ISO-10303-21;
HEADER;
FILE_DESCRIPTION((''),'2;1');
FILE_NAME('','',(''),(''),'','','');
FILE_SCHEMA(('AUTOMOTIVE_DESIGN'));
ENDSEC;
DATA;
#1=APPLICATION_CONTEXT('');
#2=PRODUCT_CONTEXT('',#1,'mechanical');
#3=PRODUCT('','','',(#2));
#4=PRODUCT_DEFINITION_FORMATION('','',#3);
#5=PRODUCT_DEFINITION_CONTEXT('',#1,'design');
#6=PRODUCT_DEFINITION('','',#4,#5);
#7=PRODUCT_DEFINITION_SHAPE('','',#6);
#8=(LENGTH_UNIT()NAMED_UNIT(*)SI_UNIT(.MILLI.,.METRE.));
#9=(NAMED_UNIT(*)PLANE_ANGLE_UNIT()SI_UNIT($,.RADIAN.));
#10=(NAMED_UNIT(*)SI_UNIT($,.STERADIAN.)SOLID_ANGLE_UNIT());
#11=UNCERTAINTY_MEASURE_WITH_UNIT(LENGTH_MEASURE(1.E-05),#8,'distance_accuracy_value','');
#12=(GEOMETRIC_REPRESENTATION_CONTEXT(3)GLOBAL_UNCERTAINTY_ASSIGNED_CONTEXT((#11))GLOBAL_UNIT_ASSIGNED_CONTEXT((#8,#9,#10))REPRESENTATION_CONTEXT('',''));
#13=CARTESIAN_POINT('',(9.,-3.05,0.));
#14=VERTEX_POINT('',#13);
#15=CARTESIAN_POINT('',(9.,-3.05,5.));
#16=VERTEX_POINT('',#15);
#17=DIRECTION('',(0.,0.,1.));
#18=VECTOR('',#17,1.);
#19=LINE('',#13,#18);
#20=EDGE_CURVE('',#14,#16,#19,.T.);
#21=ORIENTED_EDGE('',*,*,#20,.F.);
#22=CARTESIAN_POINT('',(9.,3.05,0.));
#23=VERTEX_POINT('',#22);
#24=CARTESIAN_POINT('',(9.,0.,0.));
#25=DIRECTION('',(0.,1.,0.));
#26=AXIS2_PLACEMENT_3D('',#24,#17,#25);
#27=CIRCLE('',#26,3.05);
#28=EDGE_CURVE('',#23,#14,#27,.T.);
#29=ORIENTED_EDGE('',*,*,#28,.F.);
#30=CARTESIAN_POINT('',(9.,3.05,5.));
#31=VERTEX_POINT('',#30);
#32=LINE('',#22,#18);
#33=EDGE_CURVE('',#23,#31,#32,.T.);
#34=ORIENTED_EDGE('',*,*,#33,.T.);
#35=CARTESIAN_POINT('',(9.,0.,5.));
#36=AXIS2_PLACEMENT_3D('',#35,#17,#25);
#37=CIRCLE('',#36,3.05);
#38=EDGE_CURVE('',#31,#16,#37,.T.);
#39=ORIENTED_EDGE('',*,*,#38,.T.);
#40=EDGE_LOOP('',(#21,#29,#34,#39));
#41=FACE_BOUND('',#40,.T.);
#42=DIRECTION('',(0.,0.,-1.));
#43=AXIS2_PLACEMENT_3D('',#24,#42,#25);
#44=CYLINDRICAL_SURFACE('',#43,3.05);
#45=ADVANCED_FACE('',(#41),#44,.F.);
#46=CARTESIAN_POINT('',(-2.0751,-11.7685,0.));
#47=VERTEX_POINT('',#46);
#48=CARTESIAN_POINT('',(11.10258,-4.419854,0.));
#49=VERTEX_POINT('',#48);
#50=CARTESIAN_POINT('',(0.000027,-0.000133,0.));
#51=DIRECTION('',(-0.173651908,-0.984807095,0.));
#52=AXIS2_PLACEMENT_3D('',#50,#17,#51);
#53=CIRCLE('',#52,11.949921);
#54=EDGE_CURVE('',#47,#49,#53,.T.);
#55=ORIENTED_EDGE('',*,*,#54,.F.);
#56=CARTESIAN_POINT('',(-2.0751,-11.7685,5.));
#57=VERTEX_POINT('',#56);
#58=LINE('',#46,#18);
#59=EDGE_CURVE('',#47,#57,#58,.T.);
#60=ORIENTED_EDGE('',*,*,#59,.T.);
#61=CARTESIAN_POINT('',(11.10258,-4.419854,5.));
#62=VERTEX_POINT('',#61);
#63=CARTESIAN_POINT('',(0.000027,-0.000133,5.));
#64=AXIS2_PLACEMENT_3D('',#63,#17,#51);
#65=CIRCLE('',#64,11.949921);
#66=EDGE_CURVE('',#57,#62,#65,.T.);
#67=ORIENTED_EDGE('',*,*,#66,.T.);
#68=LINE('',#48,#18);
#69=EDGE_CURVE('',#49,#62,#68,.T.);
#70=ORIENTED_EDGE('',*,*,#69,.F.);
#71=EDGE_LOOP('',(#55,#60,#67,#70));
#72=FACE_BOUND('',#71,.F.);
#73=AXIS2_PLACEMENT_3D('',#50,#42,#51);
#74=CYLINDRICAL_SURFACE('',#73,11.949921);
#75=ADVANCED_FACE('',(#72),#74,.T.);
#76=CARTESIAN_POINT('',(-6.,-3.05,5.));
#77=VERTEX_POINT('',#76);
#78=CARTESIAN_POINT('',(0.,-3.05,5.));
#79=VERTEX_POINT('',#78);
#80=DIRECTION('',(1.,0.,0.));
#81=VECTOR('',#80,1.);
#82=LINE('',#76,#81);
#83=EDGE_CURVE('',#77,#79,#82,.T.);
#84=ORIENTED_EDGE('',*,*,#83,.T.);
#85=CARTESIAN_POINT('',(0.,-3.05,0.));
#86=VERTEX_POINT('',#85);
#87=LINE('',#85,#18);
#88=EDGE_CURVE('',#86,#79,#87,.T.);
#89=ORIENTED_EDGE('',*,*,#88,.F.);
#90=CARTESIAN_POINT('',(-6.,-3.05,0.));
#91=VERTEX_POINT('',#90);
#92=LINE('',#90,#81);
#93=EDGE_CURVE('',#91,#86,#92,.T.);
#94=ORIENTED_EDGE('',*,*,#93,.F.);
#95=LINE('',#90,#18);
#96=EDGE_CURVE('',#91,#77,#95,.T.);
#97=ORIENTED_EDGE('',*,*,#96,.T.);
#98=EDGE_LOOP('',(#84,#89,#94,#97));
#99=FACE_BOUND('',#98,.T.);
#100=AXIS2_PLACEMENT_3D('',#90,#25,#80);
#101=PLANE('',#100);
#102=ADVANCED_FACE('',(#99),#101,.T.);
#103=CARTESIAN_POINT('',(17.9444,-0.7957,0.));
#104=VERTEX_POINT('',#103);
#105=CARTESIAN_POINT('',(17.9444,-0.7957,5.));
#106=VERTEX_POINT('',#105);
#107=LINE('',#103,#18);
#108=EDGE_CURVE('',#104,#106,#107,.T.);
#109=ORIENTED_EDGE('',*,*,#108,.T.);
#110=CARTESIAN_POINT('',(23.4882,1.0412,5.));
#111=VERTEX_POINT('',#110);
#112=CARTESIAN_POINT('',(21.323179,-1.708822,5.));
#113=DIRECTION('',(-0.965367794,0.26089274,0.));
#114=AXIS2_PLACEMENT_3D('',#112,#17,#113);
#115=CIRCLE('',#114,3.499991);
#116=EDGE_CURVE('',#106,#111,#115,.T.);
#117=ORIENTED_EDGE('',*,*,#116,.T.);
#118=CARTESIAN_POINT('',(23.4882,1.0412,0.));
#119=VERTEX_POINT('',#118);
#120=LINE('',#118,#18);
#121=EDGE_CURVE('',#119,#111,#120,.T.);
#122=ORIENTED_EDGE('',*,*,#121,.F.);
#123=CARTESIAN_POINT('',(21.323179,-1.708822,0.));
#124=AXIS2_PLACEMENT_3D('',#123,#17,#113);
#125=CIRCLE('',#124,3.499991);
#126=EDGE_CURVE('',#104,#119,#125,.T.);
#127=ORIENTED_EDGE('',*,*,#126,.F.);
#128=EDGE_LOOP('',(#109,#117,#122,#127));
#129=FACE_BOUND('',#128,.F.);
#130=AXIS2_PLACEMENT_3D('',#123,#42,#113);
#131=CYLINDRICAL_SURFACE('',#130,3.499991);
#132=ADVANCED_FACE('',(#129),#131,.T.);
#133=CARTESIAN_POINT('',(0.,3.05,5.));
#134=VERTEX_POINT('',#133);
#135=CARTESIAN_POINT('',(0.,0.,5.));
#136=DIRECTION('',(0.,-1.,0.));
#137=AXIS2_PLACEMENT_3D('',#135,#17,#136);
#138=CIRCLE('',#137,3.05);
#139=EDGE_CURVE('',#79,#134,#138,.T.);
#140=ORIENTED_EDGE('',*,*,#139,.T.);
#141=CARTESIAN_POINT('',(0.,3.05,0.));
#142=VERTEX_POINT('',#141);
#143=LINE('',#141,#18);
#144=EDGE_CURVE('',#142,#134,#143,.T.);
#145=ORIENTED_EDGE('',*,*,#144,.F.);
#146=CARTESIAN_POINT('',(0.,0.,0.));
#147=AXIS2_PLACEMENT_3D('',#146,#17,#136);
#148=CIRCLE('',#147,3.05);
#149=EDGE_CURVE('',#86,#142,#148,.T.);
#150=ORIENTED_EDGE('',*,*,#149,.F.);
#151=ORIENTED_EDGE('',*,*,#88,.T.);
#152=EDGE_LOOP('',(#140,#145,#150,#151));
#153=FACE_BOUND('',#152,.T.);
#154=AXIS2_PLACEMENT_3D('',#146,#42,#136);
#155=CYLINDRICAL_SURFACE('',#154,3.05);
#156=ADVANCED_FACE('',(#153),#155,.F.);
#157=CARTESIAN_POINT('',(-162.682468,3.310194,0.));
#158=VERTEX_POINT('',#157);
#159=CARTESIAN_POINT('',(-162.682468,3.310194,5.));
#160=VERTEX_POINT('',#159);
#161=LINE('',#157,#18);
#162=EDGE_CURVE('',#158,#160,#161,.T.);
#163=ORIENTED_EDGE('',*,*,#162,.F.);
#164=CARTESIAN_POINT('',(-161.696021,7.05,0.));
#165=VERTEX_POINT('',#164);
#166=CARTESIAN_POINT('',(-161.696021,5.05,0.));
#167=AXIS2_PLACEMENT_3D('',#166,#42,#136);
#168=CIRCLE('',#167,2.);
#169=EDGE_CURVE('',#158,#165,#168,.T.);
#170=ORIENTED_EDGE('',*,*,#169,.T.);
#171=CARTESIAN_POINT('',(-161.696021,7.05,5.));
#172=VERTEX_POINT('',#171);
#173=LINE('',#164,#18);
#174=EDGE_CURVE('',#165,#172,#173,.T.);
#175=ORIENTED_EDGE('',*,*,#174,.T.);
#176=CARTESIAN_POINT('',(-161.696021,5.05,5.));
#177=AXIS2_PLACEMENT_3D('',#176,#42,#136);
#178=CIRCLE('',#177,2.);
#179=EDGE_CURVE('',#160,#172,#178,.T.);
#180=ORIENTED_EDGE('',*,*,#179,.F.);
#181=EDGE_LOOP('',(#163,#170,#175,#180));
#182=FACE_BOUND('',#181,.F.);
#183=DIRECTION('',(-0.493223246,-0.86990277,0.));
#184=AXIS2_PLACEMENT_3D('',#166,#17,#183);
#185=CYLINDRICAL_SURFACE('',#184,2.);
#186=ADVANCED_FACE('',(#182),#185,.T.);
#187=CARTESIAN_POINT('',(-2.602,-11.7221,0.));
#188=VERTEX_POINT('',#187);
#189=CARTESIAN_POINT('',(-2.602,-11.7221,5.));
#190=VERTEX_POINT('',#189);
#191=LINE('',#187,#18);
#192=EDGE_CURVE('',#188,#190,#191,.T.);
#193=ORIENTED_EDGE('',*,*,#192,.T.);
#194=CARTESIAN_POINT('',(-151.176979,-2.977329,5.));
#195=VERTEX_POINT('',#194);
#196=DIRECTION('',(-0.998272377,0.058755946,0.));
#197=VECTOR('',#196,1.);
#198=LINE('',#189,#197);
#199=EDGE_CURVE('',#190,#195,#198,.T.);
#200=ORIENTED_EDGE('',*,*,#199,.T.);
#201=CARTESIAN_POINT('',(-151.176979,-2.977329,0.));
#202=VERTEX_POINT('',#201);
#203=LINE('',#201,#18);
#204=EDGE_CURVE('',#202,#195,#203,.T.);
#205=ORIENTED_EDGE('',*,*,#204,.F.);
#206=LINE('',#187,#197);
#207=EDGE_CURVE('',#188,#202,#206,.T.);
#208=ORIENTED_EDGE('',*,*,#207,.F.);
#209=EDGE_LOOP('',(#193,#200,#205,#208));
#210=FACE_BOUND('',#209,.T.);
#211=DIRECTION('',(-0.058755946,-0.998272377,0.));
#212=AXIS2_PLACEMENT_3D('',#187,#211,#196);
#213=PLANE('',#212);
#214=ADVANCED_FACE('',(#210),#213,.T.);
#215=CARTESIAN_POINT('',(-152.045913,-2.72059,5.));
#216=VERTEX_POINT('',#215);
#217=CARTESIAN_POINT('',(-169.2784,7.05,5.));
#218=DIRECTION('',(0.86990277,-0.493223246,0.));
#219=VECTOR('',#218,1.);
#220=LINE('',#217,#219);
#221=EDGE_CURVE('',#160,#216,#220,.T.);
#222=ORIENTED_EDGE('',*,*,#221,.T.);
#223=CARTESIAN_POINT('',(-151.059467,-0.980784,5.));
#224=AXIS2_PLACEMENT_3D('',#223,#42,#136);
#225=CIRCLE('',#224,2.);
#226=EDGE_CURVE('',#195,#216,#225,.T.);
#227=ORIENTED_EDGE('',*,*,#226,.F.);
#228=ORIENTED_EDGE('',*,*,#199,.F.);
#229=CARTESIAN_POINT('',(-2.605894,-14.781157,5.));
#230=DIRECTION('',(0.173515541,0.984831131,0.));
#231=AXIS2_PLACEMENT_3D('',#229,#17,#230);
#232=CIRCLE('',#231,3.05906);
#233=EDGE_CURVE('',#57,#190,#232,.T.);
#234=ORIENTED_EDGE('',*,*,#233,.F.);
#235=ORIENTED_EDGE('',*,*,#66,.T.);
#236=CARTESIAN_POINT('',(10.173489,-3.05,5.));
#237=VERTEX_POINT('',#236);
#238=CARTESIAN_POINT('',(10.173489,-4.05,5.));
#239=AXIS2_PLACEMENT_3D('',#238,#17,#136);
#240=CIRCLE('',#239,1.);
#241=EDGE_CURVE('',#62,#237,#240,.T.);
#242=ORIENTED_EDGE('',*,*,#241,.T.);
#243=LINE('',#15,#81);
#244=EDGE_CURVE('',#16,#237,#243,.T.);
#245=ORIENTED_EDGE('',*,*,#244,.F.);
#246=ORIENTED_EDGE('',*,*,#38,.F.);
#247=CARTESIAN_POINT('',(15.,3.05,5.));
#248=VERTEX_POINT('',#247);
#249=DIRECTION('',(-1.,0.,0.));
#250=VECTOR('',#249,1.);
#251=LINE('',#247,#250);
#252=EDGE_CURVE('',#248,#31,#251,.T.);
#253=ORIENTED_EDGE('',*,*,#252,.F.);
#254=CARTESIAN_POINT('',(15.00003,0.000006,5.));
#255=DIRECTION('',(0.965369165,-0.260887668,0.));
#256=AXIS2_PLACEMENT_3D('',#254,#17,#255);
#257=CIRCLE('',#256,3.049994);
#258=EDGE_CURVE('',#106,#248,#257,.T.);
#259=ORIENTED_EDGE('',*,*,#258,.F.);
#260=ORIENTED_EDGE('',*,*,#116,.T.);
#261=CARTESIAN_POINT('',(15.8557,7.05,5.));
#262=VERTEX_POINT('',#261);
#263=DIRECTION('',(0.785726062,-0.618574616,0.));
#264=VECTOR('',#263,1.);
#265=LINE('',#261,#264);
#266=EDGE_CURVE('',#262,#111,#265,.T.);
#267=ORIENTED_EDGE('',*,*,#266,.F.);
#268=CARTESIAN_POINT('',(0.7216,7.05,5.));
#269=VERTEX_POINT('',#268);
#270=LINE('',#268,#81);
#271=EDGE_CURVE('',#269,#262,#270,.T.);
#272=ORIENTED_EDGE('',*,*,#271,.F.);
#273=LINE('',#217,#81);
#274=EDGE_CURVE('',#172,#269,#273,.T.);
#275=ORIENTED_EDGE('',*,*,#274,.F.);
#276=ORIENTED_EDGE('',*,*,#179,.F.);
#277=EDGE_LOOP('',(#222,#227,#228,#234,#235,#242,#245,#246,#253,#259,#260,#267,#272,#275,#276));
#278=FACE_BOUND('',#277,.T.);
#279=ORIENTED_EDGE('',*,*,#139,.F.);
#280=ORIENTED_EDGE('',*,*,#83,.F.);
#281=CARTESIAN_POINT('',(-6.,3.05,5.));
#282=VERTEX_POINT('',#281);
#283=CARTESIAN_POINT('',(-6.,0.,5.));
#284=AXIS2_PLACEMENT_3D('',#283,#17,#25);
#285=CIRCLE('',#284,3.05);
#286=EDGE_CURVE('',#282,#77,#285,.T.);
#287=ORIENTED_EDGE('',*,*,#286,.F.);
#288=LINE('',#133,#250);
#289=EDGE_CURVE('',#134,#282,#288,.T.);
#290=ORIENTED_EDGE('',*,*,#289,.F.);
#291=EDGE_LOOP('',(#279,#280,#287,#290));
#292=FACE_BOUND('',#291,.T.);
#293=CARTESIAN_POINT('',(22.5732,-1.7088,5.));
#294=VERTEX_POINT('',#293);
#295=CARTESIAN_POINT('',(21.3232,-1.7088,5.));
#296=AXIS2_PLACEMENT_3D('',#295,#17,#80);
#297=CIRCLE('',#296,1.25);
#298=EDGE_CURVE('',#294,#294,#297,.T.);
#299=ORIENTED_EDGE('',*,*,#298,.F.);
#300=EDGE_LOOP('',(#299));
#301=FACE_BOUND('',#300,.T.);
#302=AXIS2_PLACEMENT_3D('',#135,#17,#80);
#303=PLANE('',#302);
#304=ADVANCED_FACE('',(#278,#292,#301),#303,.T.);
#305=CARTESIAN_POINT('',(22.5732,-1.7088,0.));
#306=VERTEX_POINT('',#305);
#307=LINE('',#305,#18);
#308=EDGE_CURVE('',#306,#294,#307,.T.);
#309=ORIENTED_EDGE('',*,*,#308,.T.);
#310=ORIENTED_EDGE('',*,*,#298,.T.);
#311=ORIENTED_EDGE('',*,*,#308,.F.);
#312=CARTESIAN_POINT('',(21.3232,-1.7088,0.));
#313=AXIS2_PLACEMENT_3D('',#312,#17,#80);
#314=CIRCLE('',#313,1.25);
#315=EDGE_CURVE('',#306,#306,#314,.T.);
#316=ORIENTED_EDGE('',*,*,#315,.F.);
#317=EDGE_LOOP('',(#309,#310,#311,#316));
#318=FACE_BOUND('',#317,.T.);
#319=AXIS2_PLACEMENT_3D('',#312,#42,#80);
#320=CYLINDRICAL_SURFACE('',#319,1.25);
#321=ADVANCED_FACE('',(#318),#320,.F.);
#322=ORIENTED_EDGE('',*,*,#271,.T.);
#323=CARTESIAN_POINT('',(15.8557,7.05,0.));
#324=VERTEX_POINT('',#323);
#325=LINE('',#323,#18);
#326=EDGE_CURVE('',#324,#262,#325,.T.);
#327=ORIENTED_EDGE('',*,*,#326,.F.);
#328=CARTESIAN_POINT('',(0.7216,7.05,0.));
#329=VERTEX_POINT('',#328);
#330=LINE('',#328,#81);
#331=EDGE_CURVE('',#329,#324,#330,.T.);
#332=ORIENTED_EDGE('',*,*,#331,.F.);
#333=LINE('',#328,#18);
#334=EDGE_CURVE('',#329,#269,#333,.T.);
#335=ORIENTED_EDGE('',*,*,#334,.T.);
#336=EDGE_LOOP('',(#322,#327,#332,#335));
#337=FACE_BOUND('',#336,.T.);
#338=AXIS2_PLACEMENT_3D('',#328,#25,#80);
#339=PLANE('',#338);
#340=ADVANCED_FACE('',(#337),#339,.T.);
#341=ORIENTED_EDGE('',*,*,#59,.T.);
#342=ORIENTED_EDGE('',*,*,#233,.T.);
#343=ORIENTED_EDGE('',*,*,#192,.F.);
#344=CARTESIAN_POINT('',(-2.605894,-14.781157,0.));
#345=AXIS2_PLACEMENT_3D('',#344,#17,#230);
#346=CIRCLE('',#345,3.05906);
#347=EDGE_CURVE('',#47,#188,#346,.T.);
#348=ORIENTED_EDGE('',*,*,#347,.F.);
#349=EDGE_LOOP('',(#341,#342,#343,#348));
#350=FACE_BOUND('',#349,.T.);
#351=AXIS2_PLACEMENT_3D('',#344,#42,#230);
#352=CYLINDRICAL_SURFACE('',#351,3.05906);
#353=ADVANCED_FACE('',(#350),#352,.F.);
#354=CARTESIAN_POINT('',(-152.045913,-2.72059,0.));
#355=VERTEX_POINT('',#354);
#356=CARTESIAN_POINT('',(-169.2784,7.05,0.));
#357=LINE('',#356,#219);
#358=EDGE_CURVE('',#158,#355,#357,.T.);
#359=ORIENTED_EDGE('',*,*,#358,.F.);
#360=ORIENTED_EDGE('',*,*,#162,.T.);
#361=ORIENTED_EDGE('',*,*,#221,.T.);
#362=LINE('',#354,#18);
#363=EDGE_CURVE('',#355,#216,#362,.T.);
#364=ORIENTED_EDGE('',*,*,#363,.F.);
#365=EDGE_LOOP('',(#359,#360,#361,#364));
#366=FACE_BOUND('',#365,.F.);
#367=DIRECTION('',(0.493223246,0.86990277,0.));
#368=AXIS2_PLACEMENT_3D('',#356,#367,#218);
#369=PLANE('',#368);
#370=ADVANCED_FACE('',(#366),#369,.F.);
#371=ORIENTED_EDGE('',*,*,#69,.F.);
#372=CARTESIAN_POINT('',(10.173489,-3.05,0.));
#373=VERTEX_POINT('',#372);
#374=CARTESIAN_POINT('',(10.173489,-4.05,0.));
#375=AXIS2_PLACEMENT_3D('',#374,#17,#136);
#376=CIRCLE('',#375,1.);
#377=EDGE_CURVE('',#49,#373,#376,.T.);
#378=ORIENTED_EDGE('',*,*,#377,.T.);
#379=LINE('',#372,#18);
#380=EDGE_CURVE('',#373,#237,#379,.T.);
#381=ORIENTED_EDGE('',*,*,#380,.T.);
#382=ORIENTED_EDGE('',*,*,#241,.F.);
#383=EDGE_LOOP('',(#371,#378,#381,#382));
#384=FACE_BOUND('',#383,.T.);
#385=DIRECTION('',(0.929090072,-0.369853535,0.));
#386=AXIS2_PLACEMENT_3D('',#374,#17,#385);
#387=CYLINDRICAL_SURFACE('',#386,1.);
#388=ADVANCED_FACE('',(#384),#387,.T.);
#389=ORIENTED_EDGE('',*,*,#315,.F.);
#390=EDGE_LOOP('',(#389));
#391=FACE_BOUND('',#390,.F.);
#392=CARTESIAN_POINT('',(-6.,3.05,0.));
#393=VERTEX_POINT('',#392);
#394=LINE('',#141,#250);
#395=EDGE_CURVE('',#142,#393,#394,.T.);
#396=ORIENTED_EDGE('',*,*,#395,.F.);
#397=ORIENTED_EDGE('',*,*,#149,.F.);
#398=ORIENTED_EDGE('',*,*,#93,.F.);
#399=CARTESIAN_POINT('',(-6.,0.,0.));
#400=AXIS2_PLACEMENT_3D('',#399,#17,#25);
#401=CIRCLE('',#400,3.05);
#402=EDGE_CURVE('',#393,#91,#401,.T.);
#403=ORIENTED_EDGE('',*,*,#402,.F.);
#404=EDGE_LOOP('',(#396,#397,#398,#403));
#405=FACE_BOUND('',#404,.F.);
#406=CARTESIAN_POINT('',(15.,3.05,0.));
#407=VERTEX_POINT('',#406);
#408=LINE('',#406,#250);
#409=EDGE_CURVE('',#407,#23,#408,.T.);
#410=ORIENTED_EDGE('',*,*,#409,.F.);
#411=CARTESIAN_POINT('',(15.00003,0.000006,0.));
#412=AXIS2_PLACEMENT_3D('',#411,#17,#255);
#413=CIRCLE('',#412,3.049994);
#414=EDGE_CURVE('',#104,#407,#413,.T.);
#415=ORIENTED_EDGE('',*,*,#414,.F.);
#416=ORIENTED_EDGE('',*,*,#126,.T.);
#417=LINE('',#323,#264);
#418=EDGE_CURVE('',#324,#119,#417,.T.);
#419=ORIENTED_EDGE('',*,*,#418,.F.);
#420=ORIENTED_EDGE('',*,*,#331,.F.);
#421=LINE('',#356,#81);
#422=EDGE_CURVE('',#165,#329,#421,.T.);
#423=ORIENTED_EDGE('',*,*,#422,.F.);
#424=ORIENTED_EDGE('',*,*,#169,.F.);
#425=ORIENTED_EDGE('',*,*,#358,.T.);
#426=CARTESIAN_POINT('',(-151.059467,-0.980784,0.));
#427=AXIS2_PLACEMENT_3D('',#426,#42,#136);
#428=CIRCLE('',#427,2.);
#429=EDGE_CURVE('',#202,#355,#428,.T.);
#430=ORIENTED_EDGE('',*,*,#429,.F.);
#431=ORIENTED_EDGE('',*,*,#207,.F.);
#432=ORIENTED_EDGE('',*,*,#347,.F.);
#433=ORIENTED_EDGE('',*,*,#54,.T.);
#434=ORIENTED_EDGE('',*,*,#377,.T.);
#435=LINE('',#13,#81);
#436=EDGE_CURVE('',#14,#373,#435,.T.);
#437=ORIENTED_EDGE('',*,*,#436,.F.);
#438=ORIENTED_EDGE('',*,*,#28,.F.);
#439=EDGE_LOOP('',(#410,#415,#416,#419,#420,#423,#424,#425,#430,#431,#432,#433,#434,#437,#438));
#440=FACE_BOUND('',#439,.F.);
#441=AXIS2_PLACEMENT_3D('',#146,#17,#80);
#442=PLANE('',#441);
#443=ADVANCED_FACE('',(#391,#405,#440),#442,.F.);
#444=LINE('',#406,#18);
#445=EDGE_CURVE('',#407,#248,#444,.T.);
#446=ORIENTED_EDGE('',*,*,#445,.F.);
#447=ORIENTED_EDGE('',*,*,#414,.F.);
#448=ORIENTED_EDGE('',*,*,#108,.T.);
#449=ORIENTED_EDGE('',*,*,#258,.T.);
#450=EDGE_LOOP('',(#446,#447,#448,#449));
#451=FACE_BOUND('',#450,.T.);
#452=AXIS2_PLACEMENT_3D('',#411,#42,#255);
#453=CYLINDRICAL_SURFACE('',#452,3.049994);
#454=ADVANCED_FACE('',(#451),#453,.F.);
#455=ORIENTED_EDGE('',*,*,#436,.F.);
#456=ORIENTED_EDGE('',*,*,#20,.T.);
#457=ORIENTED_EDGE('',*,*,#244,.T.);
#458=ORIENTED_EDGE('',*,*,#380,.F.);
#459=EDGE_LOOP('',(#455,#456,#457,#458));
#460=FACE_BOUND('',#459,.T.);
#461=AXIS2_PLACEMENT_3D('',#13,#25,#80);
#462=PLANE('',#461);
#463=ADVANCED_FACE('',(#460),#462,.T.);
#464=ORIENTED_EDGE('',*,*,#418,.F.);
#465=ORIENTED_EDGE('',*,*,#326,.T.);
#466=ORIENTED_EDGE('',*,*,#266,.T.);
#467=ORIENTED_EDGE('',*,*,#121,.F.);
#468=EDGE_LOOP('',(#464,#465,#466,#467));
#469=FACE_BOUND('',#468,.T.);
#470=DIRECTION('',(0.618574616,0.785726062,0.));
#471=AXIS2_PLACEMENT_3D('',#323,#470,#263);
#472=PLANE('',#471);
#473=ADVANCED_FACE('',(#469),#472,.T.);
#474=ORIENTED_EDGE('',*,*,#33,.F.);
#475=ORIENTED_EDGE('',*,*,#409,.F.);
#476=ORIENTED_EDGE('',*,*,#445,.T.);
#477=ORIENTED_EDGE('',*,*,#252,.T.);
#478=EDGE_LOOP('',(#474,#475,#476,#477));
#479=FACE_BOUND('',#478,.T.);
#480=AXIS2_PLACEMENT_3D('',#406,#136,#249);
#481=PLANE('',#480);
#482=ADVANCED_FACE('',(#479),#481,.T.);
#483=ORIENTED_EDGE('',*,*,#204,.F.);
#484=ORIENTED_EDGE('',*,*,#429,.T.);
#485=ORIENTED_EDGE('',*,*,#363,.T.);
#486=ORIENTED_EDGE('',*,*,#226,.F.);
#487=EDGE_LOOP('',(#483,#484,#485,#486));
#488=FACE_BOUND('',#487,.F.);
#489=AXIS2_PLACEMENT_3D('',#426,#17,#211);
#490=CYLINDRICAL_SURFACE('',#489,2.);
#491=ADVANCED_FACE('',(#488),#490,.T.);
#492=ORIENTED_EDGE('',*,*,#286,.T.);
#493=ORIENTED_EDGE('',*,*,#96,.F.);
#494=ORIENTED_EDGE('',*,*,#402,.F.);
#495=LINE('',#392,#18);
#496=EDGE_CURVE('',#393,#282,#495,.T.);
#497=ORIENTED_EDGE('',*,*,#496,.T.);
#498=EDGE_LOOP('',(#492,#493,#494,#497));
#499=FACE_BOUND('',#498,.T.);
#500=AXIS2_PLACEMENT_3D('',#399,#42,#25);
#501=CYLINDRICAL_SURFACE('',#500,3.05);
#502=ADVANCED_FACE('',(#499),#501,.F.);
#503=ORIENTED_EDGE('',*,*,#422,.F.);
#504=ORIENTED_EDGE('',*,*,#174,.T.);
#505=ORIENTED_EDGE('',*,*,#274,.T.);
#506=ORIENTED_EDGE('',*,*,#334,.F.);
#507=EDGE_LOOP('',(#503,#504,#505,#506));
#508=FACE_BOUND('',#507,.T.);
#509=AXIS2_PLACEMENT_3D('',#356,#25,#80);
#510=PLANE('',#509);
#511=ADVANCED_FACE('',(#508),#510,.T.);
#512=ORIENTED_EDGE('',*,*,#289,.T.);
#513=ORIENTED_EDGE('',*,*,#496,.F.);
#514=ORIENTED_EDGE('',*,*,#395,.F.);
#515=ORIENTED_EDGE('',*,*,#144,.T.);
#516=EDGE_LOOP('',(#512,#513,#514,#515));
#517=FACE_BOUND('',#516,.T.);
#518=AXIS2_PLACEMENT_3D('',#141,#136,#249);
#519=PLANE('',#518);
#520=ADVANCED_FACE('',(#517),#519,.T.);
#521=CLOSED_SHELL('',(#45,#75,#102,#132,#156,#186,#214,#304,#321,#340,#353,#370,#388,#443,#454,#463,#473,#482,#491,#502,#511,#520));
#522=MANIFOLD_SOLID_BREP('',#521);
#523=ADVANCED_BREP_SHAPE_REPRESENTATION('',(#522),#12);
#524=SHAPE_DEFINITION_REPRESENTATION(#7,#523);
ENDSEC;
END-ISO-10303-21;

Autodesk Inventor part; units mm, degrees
ref_plane "YZ Plane" through (0, 0, 0) normal (1, 0, 0) x (0, 1, 0)
ref_plane "XZ Plane" through (0, 0, 0) normal (0, 1, 0) x (-1, 0, 0)
ref_plane "XY Plane" through (0, 0, 0) normal (0, 0, 1) x (1, 0, 0)
sketch "スケッチ1" plane through (0, 0, 0) normal (0, 0, 1) x (1, 0, 0)
  arc A0 (-2.6047, -14.7721) -> (15, 0) centre (0, 0) ccw construction
  arc A1 (-2.0751, -11.7685) -> (11.5542, -3.05) centre (0, 0) ccw
  arc A2 (-2.0751, -11.7685) -> (-2.602, -11.7221) centre (-2.6047, -14.7721) ccw
  line L0 (0, 0) -> (-6, 0) construction
  line L1 (0, 3.05) -> (-6, 3.05)
  line L2 (-6, -3.05) -> (0, -3.05)
  arc A3 (0, -3.05) -> (0, 3.05) centre (0, 0) ccw
  arc A4 (-6, 3.05) -> (-6, -3.05) centre (-6, 0) ccw
  line L3 (15, 0) -> (9, 0) construction
  line L4 (15, 3.05) -> (9, 3.05)
  arc A5 (9, 3.05) -> (9, -3.05) centre (9, 0) ccw
  line L5 (-169.2784, 7.05) -> (0.7216, 7.05)
  line L6 (-169.2784, 7.05) -> (-151.6413, -2.95)
  line L7 (-2.602, -11.7221) -> (-151.6413, -2.95)
  arc A6 (17.9444, -0.7957) -> (15, 3.05) centre (15, 0) ccw
  line L8 (9, -3.05) -> (11.5542, -3.05)
  line L9 (14.6866, -3.05) -> (14.3582, -3.05)
  circle A7 centre (21.3232, -1.7088) radius 1.25
  arc A8 (17.9444, -0.7957) -> (23.4882, 1.0412) centre (21.3232, -1.7088) ccw
  line L10 (0.7216, 7.05) -> (15.8557, 7.05)
  line L11 (15.8557, 7.05) -> (23.4882, 1.0412)
  point P0 (-3, 0)
  point P1 (12, 0)
  dimension "d0" = 15
  dimension "d1" = 6.1
  dimension "d2" = 6
  dimension "d3" = 6.1
  dimension "d4" = 6
  dimension "d5" = 6.1
  dimension "d6" = 100
  dimension "d8" = 4
  dimension "d9" = 10
  dimension "d17" = 2.5
  dimension "d20" = 170
extrude "押し出し1" add sketch "スケッチ1" along normal blind 5
fillet "フィレット1" radius 2 2 edges at (-169.2784, 7.05, 2.5) (-151.6413, -2.95, 2.5)
fillet "フィレット3" radius 1 1 edges at (11.5542, -3.05, 2.5)
properties part number "新型４ウイング" material "ポリカーボネート、クリア"
